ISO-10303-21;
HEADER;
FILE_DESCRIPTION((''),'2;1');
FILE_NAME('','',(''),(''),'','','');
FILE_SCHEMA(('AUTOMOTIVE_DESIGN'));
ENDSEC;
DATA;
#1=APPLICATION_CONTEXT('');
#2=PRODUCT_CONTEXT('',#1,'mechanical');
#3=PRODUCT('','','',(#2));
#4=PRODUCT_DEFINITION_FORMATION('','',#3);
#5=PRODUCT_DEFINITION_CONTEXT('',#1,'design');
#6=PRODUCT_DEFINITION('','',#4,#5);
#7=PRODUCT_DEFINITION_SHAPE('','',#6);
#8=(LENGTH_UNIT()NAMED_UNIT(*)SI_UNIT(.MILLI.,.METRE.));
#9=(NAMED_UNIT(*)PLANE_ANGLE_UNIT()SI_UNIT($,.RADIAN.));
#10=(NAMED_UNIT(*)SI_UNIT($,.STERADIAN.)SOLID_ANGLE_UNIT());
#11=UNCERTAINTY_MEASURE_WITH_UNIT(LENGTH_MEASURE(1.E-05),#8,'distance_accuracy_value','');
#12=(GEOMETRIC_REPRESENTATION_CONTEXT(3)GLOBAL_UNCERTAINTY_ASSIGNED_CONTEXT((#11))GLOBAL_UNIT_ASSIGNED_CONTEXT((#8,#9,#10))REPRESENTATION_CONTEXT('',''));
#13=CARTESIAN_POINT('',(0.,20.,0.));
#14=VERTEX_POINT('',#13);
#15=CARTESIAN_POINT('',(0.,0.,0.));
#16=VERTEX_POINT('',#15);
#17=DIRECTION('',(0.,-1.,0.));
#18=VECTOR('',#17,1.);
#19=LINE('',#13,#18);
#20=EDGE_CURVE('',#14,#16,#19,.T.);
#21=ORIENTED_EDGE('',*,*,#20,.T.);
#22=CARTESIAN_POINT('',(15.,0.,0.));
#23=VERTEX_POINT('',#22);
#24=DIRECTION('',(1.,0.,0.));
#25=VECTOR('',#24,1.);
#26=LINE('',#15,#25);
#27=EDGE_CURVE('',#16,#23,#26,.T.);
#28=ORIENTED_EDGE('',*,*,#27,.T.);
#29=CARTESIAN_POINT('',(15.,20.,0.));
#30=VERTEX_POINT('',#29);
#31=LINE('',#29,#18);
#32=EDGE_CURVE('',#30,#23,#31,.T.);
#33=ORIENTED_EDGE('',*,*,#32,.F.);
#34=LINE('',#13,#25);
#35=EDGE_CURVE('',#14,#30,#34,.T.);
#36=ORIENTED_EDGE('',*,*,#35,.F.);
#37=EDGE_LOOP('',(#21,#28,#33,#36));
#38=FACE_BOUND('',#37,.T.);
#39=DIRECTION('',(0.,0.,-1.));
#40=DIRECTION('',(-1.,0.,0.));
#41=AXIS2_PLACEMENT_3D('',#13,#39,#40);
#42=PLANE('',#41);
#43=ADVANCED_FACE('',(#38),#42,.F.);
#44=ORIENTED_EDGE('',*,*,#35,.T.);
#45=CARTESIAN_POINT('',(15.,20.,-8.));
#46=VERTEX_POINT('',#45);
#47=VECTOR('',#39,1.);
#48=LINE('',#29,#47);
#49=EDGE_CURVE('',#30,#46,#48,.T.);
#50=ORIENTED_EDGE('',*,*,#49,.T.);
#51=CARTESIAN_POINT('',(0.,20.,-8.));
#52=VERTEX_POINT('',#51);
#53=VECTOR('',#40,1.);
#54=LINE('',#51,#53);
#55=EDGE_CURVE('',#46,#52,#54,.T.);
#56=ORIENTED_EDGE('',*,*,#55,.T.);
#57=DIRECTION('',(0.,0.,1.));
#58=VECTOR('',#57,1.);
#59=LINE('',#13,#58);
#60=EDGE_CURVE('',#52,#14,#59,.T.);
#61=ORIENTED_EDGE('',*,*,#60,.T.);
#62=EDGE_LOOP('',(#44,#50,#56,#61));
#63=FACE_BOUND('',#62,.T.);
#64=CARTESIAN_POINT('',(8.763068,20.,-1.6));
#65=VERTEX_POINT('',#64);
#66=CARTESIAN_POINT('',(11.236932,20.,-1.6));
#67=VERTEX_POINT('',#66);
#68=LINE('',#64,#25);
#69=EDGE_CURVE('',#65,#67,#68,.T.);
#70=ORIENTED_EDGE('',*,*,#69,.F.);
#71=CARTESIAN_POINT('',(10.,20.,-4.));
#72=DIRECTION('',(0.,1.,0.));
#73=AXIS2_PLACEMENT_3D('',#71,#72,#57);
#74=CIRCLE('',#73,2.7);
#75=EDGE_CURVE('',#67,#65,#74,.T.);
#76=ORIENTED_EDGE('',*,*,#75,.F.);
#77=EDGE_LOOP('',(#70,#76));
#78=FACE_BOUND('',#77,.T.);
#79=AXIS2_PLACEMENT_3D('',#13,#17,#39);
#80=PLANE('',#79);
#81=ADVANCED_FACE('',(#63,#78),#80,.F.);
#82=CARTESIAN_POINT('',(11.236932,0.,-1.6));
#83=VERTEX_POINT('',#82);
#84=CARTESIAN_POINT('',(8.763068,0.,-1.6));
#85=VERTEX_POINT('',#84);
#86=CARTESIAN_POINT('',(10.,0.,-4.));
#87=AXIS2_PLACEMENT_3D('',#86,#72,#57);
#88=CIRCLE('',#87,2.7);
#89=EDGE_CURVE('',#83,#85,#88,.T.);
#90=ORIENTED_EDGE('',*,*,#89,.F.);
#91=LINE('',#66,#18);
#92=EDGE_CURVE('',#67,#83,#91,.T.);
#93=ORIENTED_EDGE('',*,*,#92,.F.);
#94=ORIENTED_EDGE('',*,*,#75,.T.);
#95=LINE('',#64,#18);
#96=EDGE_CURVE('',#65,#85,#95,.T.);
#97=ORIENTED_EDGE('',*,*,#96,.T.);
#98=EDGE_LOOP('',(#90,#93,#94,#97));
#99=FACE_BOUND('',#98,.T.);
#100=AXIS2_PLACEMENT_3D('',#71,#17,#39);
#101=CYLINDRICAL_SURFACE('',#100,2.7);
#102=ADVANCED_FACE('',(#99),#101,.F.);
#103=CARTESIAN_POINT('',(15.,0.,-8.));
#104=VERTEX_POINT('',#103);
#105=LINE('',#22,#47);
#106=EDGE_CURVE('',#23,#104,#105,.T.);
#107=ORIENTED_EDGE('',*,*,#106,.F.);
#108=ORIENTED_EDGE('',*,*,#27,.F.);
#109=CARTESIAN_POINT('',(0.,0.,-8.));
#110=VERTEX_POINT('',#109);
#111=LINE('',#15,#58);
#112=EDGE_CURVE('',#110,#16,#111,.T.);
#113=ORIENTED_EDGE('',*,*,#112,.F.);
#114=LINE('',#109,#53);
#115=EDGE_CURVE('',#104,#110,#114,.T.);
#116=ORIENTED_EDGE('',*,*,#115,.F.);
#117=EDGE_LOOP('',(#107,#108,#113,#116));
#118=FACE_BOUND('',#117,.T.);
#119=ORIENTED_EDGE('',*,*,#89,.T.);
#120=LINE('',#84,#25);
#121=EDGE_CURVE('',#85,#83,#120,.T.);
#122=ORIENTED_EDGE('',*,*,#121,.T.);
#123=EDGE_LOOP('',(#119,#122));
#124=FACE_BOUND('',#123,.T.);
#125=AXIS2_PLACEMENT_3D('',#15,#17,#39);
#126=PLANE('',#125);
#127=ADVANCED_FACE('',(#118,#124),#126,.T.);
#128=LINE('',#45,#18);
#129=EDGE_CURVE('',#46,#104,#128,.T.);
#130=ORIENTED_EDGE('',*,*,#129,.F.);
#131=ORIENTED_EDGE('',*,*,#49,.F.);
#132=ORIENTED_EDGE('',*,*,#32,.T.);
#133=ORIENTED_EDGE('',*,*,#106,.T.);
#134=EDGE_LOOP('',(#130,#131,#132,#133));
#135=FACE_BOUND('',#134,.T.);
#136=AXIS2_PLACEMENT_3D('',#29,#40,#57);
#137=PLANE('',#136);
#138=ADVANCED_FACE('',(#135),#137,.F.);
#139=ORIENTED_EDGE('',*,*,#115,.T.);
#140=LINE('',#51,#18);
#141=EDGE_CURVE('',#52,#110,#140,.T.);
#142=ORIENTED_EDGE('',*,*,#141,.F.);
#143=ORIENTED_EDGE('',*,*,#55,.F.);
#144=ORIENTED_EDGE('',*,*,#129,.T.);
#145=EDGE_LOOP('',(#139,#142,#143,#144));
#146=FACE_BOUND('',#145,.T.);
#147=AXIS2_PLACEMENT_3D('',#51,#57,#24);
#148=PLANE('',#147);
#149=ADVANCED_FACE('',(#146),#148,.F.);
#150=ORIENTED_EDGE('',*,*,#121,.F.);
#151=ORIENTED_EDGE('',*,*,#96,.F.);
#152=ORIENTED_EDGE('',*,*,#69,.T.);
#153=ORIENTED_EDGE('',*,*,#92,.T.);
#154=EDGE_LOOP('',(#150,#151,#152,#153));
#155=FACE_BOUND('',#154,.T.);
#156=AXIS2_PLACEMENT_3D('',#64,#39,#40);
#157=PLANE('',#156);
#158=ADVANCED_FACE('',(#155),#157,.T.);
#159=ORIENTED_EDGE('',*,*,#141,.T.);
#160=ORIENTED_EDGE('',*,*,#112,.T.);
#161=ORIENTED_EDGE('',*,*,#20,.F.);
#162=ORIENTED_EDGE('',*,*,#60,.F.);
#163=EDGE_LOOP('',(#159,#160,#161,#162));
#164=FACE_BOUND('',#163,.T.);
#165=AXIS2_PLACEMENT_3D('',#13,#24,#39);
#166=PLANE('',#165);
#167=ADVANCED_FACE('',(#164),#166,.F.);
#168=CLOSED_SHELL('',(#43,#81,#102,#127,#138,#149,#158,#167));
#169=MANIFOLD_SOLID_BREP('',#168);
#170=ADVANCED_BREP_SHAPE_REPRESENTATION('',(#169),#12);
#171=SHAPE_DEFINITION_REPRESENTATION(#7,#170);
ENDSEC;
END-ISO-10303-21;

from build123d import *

# Parameters (mm, degrees)
SKETCH_1_W      = 15
SKETCH_1_H      = 8
EXTRUDE_1_DEPTH = 20


with BuildPart() as part:
    # 草图1 → 凸台-拉伸1 (new body)
    with BuildSketch(Plane(origin=(0, 0, 0), x_dir=(1, 0, 0), z_dir=(0, 1, 0))):
        with Locations((7.5, 4)):
            Rectangle(SKETCH_1_W, SKETCH_1_H)
        with BuildLine():
            Line((8.763068312, 1.6), (11.236931688, 1.6))
            ThreePointArc((11.236931688, 1.6), (10, 6.7), (8.763068312, 1.6))
        make_face(mode=Mode.SUBTRACT)
    extrude(amount=EXTRUDE_1_DEPTH)


solid = part.part
